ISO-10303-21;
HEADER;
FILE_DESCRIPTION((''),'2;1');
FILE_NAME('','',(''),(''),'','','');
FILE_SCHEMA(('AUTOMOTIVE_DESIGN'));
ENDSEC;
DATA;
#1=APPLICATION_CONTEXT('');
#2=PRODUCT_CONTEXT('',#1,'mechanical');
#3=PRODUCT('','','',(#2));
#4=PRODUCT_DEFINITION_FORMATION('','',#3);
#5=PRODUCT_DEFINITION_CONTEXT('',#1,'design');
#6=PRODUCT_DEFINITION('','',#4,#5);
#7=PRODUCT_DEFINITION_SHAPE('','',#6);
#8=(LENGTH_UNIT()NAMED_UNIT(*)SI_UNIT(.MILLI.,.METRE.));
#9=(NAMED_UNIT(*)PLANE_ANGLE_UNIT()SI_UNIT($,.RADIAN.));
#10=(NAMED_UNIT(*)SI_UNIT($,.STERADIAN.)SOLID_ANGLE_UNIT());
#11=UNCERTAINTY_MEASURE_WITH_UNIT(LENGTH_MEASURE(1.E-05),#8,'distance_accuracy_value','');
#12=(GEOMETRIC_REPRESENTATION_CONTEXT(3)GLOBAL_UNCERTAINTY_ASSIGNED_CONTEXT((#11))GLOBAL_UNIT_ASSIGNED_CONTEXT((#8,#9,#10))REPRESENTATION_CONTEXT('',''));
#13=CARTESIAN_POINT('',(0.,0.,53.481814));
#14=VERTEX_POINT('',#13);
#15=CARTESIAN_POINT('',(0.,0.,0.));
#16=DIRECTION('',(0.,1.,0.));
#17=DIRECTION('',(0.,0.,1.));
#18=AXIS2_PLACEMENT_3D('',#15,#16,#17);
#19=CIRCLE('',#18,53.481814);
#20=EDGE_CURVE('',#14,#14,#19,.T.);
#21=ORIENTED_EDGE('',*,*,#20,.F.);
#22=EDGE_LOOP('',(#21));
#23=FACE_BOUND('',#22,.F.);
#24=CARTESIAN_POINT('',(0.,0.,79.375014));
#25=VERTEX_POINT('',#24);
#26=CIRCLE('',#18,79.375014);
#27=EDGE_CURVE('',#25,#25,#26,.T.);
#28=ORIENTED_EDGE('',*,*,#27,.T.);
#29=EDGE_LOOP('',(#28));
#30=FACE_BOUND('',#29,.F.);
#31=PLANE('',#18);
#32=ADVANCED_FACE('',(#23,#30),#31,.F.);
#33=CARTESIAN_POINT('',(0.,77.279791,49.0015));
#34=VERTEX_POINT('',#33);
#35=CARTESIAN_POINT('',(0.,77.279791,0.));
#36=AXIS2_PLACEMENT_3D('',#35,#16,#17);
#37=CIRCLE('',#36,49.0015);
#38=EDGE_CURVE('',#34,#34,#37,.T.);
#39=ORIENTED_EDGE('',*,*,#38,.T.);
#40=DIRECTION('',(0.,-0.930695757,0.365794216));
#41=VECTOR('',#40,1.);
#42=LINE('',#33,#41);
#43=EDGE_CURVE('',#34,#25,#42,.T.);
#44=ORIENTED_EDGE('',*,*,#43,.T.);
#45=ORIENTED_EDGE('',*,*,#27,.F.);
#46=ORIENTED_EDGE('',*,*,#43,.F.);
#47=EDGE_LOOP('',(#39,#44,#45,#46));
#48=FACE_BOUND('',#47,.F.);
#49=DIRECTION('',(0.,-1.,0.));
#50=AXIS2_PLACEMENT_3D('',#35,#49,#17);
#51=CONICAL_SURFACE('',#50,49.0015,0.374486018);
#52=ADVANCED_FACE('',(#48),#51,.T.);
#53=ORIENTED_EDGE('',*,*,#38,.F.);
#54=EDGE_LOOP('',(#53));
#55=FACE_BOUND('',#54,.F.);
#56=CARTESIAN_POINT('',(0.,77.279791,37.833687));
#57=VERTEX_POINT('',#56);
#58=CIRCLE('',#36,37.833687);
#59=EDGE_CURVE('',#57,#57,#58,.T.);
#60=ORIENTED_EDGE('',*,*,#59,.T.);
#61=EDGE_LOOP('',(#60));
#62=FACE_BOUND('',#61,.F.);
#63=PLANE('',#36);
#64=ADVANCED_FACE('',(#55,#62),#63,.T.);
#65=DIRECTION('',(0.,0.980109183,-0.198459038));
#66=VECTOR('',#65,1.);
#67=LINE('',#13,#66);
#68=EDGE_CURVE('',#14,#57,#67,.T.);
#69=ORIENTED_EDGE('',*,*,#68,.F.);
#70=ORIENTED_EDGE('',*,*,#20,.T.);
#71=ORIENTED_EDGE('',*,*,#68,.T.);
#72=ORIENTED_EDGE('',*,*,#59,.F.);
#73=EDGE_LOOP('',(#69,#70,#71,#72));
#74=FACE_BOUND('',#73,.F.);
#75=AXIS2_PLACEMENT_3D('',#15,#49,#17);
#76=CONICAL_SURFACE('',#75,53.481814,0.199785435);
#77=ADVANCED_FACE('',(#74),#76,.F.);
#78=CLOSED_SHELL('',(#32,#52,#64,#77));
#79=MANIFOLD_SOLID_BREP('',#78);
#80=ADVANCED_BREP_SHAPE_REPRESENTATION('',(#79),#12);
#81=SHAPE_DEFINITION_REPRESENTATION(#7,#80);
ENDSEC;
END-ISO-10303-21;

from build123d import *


with BuildPart() as f1:
    # F0 (on Right) → F1 (revolve)
    with BuildSketch(Plane.YZ):
        Polygon((0, 79.375014), (0, 53.481814), (77.279791, 37.833687), (77.279791, 49.0015), align=None)
    revolve(axis=Axis((0, 38.639896, 0), (0, 1, 0)))


solid = f1.part
